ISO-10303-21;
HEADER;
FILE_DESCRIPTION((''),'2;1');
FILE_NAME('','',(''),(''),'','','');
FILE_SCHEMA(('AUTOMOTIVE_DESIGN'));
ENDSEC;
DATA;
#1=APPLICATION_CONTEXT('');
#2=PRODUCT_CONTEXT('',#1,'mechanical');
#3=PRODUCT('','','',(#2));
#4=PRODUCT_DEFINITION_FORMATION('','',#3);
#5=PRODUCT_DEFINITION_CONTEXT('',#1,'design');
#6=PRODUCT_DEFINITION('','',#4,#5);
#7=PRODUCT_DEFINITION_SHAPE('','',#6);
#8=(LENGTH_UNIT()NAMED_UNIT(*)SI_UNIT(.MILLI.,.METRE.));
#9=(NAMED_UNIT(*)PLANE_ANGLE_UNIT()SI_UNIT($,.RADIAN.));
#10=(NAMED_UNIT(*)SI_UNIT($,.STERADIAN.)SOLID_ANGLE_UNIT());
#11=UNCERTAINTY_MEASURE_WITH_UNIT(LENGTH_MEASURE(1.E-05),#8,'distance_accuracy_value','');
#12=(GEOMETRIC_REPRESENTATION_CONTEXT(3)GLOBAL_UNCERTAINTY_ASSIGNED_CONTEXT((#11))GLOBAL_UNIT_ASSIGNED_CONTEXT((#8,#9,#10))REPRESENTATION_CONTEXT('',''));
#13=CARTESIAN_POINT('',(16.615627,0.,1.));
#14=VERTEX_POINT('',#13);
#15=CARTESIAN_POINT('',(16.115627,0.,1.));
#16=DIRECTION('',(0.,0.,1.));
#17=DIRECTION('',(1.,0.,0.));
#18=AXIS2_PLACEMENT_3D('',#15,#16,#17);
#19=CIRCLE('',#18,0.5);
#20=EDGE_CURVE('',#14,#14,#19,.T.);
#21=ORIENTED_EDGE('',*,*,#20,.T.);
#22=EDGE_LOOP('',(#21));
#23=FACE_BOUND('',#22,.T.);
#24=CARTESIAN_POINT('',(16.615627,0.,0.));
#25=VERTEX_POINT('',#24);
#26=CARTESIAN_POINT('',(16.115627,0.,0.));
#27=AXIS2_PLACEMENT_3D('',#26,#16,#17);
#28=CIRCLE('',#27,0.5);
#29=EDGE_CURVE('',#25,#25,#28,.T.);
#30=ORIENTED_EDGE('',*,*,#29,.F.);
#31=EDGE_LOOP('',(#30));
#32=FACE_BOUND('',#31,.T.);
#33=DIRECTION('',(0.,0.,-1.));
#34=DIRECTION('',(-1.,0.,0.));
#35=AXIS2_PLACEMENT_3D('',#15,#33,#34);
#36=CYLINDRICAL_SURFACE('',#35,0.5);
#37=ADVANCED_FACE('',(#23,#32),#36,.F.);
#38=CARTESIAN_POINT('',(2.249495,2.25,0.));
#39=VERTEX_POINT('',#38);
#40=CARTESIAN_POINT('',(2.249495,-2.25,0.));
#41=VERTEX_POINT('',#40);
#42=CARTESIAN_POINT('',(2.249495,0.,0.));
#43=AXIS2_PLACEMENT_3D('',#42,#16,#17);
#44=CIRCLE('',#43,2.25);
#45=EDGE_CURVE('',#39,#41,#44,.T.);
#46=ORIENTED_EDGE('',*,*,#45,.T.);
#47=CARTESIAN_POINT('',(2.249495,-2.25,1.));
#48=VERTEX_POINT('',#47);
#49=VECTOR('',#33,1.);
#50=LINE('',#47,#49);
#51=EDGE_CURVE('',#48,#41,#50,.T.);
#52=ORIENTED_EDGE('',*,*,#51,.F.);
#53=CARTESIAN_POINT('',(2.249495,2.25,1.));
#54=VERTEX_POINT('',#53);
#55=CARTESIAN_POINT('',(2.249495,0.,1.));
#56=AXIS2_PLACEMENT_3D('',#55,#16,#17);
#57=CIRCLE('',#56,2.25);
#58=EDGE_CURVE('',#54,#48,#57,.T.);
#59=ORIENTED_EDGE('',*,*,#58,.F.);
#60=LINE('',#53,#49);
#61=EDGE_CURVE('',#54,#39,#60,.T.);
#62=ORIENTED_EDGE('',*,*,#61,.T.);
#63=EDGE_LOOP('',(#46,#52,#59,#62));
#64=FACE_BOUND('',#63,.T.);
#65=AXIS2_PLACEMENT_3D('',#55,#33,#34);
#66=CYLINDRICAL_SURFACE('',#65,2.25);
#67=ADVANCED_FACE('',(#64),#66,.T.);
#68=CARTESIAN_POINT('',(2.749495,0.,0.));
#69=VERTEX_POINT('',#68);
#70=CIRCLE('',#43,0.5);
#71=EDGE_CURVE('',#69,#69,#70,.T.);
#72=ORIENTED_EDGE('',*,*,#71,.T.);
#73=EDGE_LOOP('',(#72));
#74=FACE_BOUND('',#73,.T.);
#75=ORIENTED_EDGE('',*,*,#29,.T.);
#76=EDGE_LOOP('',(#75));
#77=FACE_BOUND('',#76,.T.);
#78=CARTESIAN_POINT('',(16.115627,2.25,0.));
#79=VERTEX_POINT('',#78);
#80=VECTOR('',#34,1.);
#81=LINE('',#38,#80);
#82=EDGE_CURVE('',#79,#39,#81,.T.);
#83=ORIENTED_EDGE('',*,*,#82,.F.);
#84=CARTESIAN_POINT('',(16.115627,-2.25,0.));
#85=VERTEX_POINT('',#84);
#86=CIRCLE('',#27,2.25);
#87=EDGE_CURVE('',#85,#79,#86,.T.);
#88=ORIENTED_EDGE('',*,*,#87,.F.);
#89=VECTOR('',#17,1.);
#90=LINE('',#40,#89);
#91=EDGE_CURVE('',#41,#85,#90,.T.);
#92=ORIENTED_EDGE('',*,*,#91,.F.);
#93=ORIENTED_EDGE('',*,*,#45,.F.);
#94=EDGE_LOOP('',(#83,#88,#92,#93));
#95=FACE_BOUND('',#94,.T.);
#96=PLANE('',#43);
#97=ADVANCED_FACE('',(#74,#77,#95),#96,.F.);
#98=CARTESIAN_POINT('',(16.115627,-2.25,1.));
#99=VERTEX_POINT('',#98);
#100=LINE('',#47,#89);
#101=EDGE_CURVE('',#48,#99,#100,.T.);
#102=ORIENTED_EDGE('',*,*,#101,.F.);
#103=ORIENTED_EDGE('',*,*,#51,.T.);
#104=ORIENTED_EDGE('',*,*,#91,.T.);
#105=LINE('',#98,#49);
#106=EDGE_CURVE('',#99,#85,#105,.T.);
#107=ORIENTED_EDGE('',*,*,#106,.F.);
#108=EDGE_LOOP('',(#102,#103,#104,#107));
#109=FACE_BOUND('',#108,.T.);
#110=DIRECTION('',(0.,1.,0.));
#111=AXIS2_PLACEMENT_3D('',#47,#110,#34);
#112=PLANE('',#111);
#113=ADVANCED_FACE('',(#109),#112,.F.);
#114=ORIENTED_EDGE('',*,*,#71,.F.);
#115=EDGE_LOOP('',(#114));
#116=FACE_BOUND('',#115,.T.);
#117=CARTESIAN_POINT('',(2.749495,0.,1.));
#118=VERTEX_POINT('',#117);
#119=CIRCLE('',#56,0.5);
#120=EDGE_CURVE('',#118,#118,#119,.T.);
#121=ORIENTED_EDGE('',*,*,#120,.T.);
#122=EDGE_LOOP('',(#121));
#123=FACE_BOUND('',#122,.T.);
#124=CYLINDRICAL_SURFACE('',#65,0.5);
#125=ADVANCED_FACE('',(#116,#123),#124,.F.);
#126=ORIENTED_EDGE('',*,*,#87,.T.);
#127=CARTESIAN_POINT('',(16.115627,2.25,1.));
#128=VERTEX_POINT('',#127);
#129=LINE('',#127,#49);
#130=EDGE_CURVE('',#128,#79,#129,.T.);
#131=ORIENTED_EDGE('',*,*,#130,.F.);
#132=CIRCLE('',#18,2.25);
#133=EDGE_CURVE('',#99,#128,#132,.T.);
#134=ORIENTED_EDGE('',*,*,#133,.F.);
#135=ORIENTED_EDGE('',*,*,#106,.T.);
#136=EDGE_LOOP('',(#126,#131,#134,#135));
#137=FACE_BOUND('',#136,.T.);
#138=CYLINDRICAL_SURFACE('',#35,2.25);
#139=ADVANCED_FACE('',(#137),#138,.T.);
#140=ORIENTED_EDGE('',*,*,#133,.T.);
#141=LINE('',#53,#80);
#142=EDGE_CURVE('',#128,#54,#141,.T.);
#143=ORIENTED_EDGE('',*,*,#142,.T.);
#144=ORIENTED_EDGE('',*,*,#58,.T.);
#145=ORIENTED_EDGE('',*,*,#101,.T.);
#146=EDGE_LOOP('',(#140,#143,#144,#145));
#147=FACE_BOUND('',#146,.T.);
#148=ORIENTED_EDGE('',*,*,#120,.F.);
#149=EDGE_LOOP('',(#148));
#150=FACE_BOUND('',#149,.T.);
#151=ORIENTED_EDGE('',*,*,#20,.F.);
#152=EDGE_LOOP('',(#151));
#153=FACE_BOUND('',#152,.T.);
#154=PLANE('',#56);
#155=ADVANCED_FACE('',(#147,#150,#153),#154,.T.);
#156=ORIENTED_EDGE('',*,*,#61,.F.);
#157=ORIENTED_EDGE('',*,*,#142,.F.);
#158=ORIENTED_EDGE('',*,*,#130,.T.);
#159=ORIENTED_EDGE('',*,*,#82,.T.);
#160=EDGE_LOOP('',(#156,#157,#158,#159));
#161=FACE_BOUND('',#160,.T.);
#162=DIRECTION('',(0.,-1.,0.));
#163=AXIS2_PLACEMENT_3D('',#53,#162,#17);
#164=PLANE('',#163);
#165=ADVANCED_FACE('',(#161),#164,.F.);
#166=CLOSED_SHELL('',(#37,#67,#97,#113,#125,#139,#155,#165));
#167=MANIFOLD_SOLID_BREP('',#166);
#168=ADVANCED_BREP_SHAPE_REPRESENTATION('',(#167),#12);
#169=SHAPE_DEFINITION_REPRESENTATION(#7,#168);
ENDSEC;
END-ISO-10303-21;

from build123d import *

# Parameters (mm, degrees)
SKETCH1_R           = 0.5
BOSS_EXTRUDE1_DEPTH = 1


with BuildPart() as part:
    # Sketch1 → Boss-Extrude1 (new body)
    with BuildSketch(Plane.XY):
        with BuildLine():
            Line((2.249495034, 2.25), (16.115627007, 2.25))
            ThreePointArc((16.115627007, 2.25), (18.365627007, 0), (16.115627007, -2.25))
            Line((16.115627007, -2.25), (2.249495034, -2.25))
            ThreePointArc((2.249495034, -2.25), (-0.000504966, 0), (2.249495034, 2.25))
        make_face()
        with Locations((2.249495034, 0)):
            Circle(SKETCH1_R, mode=Mode.SUBTRACT)
        with Locations((16.115627007, 0)):
            Circle(SKETCH1_R, mode=Mode.SUBTRACT)
    extrude(amount=BOSS_EXTRUDE1_DEPTH)


solid = part.part
